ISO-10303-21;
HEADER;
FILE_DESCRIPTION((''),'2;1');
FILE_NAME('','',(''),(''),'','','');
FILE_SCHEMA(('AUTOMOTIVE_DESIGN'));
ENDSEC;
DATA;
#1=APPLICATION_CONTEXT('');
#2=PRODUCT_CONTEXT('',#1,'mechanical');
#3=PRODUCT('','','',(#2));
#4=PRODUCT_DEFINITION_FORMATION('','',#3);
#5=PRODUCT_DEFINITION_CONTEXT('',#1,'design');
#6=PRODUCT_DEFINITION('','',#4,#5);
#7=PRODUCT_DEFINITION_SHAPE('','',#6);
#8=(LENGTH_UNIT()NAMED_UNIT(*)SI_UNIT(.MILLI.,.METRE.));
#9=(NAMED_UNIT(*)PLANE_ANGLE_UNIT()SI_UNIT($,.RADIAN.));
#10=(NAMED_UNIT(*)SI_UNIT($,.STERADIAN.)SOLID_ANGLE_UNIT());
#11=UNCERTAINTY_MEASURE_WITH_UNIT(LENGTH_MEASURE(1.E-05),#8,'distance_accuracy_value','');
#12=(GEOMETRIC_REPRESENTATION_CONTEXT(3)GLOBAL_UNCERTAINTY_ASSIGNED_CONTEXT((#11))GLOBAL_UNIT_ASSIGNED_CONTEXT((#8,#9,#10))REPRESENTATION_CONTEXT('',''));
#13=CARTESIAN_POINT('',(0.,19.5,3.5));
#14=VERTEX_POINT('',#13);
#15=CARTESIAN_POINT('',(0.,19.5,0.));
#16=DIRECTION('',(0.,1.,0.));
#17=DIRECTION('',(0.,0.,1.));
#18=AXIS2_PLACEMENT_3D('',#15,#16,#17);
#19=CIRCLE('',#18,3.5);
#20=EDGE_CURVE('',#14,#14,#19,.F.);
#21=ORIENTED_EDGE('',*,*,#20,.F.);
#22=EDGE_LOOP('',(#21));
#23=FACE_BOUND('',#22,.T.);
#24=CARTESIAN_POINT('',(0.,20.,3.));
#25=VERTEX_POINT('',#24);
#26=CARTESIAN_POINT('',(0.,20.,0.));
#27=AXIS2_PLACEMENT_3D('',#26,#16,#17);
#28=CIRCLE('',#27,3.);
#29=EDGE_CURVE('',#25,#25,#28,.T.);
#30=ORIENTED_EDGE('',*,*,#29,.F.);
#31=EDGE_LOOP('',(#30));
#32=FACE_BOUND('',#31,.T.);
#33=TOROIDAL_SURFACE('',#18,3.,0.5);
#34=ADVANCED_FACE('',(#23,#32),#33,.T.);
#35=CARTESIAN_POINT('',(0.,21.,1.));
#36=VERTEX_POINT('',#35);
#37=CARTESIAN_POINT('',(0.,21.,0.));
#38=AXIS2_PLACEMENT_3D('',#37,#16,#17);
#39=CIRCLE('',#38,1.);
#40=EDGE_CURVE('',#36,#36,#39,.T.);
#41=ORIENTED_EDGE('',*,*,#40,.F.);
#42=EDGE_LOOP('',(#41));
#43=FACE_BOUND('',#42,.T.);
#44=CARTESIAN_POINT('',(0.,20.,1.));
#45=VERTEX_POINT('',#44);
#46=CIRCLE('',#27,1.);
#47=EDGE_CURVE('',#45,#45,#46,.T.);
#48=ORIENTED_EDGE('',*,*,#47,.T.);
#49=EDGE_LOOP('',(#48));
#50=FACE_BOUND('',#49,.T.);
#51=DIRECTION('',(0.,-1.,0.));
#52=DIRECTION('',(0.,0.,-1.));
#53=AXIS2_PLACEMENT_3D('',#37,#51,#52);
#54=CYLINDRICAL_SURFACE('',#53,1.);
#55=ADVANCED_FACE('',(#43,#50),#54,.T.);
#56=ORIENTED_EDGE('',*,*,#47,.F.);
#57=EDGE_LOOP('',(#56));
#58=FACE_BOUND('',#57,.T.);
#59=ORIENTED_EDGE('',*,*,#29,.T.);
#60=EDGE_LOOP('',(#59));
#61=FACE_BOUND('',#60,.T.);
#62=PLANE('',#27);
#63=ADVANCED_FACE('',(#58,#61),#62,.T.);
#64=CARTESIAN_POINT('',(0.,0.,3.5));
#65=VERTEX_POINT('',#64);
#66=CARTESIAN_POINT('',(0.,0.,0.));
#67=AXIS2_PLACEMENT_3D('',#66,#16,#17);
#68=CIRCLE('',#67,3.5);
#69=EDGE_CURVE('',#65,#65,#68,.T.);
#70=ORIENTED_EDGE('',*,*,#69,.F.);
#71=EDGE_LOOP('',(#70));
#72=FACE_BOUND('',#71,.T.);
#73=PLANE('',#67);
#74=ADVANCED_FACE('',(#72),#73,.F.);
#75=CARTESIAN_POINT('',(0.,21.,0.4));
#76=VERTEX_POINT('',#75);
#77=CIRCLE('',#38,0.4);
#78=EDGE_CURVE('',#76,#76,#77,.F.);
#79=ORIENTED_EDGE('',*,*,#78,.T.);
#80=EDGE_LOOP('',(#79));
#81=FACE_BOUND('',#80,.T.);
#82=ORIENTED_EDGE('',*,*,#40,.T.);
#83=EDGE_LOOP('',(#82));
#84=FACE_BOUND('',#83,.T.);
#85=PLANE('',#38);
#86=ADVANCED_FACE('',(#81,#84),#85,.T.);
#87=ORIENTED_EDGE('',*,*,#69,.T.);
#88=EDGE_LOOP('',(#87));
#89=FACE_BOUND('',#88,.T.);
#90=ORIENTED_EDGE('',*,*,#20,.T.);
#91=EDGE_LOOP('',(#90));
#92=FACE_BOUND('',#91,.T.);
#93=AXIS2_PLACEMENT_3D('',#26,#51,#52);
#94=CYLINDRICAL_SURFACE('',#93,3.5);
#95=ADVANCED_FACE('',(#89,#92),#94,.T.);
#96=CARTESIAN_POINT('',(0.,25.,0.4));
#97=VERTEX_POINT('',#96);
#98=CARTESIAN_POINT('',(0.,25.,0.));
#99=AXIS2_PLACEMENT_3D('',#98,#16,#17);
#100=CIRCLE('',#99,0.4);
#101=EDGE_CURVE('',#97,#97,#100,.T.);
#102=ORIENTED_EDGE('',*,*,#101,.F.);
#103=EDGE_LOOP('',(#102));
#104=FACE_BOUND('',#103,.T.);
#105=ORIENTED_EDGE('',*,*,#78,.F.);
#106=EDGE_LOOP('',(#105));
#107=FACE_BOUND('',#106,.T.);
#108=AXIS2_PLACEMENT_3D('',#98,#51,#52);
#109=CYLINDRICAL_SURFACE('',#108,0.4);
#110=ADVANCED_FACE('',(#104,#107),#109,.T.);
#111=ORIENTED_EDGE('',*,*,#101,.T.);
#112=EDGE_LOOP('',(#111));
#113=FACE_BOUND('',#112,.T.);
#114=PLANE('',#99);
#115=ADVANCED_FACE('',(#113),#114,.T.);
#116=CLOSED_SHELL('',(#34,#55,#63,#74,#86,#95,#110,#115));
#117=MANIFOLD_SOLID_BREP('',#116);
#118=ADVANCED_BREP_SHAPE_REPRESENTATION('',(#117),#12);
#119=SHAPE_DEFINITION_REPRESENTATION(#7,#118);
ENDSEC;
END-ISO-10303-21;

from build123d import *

# Parameters (mm, degrees)
SKETCH1_R           = 3.5
BOSS_EXTRUDE1_DEPTH = 20
SKETCH2_R           = 1
BOSS_EXTRUDE2_DEPTH = 1
SKETCH3_R           = 0.4
BOSS_EXTRUDE3_DEPTH = 5
FILLET1_R           = 0.5


with BuildPart() as part:
    # Sketch1 → Boss-Extrude1 (new body)
    with BuildSketch(Plane(origin=(0, 0, 0), x_dir=(1, 0, 0), z_dir=(0, 1, 0))):
        Circle(SKETCH1_R)
    extrude(amount=BOSS_EXTRUDE1_DEPTH)

    # Sketch2 → Boss-Extrude2 (add)
    with BuildSketch(Plane(origin=(0, 20, 0), x_dir=(1, 0, 0), z_dir=(0, 1, 0))):
        Circle(SKETCH2_R)
    extrude(amount=BOSS_EXTRUDE2_DEPTH)

    # Sketch3 → Boss-Extrude3 (add)
    with BuildSketch(Plane(origin=(0, 20, 0), x_dir=(1, 0, 0), z_dir=(0, 1, 0))):
        Circle(SKETCH3_R)
    extrude(amount=BOSS_EXTRUDE3_DEPTH)

    # Fillet1
    fillet1_edges = [part.edges().sort_by_distance(p)[0] for p in [
        (-3.5, 20, 0),
    ]]
    fillet(fillet1_edges, radius=FILLET1_R)


solid = part.part
